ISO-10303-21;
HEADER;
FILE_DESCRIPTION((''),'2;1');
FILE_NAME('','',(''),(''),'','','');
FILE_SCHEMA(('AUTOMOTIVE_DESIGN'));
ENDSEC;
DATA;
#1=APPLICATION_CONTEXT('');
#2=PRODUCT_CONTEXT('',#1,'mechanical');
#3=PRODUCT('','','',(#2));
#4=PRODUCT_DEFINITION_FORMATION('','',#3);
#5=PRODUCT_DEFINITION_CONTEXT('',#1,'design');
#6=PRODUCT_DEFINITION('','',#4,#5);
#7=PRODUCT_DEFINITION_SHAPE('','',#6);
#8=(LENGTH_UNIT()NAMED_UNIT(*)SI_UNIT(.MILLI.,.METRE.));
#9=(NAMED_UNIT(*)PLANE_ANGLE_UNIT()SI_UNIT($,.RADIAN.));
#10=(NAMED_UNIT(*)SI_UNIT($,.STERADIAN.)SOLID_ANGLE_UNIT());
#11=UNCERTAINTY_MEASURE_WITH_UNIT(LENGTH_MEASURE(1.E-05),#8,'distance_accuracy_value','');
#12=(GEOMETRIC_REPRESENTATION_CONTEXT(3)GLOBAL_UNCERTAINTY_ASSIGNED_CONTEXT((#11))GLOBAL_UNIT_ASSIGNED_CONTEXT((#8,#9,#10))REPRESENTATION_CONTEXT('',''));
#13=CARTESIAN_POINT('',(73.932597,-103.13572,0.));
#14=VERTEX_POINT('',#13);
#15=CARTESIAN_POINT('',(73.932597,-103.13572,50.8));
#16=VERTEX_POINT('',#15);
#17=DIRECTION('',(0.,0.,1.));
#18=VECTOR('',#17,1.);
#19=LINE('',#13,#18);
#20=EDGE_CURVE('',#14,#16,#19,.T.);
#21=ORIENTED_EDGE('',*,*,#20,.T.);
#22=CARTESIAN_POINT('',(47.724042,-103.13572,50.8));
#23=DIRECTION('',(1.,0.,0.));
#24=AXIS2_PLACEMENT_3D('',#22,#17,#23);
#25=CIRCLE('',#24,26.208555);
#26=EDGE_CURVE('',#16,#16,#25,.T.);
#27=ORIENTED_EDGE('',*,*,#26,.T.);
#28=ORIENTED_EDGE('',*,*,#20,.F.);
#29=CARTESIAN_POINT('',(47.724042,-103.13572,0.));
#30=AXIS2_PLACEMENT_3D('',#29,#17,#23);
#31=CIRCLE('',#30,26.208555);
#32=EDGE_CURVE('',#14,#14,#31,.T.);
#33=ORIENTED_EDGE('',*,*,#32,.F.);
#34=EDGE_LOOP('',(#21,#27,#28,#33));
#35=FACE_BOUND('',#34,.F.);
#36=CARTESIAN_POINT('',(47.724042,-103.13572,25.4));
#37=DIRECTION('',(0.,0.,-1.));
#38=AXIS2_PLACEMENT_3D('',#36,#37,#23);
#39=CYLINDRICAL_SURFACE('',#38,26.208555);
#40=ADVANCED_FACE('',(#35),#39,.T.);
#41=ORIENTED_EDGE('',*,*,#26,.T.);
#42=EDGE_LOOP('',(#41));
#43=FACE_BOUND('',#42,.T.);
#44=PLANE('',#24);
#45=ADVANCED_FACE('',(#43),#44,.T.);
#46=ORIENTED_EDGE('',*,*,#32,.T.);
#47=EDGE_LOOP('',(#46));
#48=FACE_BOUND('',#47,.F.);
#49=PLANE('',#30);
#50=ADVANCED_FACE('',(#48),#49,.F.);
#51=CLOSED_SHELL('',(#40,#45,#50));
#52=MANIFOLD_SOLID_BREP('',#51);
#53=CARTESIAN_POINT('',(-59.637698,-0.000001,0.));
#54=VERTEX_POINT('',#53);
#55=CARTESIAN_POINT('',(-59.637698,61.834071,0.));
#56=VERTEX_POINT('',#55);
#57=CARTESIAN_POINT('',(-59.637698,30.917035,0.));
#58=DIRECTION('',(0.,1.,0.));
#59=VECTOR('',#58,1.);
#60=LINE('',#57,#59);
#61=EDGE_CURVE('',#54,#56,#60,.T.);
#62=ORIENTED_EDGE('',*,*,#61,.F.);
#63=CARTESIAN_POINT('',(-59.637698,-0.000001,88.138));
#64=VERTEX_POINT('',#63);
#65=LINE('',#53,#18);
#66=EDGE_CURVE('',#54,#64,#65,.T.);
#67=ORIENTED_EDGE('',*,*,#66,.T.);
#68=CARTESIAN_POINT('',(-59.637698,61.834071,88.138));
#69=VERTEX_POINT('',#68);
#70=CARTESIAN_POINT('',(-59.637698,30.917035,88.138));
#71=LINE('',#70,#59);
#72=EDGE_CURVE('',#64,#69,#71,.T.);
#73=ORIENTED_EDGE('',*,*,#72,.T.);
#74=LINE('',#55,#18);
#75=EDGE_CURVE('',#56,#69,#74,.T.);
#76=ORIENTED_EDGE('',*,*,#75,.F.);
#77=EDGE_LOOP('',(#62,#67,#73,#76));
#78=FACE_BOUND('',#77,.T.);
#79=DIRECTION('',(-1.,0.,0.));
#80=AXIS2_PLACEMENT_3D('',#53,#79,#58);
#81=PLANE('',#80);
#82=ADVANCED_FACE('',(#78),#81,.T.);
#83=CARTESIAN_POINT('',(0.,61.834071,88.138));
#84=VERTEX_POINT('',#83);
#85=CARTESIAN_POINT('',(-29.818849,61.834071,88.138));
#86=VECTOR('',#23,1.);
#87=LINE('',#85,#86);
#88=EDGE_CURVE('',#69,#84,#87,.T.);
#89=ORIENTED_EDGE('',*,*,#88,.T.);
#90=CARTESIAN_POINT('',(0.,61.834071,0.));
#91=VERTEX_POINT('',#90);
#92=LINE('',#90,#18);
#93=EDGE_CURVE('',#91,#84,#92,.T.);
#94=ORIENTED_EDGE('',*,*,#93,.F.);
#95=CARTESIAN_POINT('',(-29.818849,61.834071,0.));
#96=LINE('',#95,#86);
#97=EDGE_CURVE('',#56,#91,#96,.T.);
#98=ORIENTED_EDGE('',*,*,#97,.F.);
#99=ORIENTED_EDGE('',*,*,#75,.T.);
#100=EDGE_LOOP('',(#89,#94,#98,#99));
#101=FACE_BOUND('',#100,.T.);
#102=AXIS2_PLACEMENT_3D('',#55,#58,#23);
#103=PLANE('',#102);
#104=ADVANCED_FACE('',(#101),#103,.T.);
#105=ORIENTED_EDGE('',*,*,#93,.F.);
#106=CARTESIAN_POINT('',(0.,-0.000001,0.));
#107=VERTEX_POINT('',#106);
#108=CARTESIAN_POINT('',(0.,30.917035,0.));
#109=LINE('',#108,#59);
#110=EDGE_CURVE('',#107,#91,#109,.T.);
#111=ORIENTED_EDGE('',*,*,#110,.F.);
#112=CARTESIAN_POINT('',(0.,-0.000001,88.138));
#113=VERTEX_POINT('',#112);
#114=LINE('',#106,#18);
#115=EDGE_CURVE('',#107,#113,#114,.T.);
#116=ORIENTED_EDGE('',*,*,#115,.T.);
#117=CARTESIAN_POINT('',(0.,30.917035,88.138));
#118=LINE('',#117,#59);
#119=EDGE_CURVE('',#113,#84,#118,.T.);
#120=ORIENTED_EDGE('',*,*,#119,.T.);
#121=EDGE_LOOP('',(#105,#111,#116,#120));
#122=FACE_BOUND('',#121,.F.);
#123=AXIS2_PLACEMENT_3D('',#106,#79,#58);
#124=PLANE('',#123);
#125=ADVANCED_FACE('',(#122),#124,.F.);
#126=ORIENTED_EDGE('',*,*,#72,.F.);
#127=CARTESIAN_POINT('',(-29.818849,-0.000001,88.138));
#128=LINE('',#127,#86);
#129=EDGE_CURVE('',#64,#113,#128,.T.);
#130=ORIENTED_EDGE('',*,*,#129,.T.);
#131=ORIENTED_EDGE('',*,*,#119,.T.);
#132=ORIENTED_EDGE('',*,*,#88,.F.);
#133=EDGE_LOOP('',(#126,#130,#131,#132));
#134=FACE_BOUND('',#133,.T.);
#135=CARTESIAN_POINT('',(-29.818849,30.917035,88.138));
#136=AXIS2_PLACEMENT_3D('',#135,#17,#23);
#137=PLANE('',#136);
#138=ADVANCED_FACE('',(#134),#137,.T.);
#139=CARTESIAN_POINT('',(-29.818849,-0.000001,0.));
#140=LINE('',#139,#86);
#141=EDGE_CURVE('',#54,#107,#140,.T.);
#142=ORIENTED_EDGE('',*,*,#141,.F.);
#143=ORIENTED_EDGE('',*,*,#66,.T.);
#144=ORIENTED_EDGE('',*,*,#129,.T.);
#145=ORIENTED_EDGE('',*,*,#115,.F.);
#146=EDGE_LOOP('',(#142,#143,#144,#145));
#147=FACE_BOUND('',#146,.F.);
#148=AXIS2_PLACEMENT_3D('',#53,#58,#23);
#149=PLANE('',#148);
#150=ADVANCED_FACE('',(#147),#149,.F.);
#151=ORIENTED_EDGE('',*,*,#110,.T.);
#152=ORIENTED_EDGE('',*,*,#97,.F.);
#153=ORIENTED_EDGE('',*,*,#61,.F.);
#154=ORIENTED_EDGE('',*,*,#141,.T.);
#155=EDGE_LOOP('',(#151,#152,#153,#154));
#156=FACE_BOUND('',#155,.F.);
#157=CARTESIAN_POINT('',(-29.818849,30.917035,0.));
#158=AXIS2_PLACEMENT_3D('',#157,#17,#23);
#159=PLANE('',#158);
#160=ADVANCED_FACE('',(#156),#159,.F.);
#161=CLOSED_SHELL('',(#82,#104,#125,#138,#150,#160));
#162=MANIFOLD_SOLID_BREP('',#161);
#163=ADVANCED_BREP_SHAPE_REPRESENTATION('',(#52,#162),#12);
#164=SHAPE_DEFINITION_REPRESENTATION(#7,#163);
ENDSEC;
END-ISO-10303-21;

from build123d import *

# Parameters (mm, degrees)
F0_W      = 59.637699
F0_H      = 61.834071
F1_DEPTH  = 88.138
F2_R      = 26.208555
F3_DEPTH  = 25.4
F3_FACE_R = 26.208555
F4_DEPTH  = 25.4


with BuildPart() as f1:
    # F0 (on Top) → F1 (new body)
    with BuildSketch(Plane.XY):
        with Locations((-29.818849, 30.917035)):
            Rectangle(F0_W, F0_H)
    extrude(amount=F1_DEPTH)


with BuildPart() as f3:
    # F2 (on Top) → F3 (new body)
    with BuildSketch(Plane.XY):
        with Locations((47.724042, -103.13572)):
            Circle(F2_R)
    extrude(amount=F3_DEPTH)

    # F3_face (on face) → F4 (join)
    with BuildSketch(Plane(origin=(47.724042, -103.13572, 25.4), x_dir=(1, 0, 0), z_dir=(0, 0, 1))):
        Circle(F3_FACE_R)
    extrude(amount=F4_DEPTH)


solid = Compound([f1.part, f3.part])
